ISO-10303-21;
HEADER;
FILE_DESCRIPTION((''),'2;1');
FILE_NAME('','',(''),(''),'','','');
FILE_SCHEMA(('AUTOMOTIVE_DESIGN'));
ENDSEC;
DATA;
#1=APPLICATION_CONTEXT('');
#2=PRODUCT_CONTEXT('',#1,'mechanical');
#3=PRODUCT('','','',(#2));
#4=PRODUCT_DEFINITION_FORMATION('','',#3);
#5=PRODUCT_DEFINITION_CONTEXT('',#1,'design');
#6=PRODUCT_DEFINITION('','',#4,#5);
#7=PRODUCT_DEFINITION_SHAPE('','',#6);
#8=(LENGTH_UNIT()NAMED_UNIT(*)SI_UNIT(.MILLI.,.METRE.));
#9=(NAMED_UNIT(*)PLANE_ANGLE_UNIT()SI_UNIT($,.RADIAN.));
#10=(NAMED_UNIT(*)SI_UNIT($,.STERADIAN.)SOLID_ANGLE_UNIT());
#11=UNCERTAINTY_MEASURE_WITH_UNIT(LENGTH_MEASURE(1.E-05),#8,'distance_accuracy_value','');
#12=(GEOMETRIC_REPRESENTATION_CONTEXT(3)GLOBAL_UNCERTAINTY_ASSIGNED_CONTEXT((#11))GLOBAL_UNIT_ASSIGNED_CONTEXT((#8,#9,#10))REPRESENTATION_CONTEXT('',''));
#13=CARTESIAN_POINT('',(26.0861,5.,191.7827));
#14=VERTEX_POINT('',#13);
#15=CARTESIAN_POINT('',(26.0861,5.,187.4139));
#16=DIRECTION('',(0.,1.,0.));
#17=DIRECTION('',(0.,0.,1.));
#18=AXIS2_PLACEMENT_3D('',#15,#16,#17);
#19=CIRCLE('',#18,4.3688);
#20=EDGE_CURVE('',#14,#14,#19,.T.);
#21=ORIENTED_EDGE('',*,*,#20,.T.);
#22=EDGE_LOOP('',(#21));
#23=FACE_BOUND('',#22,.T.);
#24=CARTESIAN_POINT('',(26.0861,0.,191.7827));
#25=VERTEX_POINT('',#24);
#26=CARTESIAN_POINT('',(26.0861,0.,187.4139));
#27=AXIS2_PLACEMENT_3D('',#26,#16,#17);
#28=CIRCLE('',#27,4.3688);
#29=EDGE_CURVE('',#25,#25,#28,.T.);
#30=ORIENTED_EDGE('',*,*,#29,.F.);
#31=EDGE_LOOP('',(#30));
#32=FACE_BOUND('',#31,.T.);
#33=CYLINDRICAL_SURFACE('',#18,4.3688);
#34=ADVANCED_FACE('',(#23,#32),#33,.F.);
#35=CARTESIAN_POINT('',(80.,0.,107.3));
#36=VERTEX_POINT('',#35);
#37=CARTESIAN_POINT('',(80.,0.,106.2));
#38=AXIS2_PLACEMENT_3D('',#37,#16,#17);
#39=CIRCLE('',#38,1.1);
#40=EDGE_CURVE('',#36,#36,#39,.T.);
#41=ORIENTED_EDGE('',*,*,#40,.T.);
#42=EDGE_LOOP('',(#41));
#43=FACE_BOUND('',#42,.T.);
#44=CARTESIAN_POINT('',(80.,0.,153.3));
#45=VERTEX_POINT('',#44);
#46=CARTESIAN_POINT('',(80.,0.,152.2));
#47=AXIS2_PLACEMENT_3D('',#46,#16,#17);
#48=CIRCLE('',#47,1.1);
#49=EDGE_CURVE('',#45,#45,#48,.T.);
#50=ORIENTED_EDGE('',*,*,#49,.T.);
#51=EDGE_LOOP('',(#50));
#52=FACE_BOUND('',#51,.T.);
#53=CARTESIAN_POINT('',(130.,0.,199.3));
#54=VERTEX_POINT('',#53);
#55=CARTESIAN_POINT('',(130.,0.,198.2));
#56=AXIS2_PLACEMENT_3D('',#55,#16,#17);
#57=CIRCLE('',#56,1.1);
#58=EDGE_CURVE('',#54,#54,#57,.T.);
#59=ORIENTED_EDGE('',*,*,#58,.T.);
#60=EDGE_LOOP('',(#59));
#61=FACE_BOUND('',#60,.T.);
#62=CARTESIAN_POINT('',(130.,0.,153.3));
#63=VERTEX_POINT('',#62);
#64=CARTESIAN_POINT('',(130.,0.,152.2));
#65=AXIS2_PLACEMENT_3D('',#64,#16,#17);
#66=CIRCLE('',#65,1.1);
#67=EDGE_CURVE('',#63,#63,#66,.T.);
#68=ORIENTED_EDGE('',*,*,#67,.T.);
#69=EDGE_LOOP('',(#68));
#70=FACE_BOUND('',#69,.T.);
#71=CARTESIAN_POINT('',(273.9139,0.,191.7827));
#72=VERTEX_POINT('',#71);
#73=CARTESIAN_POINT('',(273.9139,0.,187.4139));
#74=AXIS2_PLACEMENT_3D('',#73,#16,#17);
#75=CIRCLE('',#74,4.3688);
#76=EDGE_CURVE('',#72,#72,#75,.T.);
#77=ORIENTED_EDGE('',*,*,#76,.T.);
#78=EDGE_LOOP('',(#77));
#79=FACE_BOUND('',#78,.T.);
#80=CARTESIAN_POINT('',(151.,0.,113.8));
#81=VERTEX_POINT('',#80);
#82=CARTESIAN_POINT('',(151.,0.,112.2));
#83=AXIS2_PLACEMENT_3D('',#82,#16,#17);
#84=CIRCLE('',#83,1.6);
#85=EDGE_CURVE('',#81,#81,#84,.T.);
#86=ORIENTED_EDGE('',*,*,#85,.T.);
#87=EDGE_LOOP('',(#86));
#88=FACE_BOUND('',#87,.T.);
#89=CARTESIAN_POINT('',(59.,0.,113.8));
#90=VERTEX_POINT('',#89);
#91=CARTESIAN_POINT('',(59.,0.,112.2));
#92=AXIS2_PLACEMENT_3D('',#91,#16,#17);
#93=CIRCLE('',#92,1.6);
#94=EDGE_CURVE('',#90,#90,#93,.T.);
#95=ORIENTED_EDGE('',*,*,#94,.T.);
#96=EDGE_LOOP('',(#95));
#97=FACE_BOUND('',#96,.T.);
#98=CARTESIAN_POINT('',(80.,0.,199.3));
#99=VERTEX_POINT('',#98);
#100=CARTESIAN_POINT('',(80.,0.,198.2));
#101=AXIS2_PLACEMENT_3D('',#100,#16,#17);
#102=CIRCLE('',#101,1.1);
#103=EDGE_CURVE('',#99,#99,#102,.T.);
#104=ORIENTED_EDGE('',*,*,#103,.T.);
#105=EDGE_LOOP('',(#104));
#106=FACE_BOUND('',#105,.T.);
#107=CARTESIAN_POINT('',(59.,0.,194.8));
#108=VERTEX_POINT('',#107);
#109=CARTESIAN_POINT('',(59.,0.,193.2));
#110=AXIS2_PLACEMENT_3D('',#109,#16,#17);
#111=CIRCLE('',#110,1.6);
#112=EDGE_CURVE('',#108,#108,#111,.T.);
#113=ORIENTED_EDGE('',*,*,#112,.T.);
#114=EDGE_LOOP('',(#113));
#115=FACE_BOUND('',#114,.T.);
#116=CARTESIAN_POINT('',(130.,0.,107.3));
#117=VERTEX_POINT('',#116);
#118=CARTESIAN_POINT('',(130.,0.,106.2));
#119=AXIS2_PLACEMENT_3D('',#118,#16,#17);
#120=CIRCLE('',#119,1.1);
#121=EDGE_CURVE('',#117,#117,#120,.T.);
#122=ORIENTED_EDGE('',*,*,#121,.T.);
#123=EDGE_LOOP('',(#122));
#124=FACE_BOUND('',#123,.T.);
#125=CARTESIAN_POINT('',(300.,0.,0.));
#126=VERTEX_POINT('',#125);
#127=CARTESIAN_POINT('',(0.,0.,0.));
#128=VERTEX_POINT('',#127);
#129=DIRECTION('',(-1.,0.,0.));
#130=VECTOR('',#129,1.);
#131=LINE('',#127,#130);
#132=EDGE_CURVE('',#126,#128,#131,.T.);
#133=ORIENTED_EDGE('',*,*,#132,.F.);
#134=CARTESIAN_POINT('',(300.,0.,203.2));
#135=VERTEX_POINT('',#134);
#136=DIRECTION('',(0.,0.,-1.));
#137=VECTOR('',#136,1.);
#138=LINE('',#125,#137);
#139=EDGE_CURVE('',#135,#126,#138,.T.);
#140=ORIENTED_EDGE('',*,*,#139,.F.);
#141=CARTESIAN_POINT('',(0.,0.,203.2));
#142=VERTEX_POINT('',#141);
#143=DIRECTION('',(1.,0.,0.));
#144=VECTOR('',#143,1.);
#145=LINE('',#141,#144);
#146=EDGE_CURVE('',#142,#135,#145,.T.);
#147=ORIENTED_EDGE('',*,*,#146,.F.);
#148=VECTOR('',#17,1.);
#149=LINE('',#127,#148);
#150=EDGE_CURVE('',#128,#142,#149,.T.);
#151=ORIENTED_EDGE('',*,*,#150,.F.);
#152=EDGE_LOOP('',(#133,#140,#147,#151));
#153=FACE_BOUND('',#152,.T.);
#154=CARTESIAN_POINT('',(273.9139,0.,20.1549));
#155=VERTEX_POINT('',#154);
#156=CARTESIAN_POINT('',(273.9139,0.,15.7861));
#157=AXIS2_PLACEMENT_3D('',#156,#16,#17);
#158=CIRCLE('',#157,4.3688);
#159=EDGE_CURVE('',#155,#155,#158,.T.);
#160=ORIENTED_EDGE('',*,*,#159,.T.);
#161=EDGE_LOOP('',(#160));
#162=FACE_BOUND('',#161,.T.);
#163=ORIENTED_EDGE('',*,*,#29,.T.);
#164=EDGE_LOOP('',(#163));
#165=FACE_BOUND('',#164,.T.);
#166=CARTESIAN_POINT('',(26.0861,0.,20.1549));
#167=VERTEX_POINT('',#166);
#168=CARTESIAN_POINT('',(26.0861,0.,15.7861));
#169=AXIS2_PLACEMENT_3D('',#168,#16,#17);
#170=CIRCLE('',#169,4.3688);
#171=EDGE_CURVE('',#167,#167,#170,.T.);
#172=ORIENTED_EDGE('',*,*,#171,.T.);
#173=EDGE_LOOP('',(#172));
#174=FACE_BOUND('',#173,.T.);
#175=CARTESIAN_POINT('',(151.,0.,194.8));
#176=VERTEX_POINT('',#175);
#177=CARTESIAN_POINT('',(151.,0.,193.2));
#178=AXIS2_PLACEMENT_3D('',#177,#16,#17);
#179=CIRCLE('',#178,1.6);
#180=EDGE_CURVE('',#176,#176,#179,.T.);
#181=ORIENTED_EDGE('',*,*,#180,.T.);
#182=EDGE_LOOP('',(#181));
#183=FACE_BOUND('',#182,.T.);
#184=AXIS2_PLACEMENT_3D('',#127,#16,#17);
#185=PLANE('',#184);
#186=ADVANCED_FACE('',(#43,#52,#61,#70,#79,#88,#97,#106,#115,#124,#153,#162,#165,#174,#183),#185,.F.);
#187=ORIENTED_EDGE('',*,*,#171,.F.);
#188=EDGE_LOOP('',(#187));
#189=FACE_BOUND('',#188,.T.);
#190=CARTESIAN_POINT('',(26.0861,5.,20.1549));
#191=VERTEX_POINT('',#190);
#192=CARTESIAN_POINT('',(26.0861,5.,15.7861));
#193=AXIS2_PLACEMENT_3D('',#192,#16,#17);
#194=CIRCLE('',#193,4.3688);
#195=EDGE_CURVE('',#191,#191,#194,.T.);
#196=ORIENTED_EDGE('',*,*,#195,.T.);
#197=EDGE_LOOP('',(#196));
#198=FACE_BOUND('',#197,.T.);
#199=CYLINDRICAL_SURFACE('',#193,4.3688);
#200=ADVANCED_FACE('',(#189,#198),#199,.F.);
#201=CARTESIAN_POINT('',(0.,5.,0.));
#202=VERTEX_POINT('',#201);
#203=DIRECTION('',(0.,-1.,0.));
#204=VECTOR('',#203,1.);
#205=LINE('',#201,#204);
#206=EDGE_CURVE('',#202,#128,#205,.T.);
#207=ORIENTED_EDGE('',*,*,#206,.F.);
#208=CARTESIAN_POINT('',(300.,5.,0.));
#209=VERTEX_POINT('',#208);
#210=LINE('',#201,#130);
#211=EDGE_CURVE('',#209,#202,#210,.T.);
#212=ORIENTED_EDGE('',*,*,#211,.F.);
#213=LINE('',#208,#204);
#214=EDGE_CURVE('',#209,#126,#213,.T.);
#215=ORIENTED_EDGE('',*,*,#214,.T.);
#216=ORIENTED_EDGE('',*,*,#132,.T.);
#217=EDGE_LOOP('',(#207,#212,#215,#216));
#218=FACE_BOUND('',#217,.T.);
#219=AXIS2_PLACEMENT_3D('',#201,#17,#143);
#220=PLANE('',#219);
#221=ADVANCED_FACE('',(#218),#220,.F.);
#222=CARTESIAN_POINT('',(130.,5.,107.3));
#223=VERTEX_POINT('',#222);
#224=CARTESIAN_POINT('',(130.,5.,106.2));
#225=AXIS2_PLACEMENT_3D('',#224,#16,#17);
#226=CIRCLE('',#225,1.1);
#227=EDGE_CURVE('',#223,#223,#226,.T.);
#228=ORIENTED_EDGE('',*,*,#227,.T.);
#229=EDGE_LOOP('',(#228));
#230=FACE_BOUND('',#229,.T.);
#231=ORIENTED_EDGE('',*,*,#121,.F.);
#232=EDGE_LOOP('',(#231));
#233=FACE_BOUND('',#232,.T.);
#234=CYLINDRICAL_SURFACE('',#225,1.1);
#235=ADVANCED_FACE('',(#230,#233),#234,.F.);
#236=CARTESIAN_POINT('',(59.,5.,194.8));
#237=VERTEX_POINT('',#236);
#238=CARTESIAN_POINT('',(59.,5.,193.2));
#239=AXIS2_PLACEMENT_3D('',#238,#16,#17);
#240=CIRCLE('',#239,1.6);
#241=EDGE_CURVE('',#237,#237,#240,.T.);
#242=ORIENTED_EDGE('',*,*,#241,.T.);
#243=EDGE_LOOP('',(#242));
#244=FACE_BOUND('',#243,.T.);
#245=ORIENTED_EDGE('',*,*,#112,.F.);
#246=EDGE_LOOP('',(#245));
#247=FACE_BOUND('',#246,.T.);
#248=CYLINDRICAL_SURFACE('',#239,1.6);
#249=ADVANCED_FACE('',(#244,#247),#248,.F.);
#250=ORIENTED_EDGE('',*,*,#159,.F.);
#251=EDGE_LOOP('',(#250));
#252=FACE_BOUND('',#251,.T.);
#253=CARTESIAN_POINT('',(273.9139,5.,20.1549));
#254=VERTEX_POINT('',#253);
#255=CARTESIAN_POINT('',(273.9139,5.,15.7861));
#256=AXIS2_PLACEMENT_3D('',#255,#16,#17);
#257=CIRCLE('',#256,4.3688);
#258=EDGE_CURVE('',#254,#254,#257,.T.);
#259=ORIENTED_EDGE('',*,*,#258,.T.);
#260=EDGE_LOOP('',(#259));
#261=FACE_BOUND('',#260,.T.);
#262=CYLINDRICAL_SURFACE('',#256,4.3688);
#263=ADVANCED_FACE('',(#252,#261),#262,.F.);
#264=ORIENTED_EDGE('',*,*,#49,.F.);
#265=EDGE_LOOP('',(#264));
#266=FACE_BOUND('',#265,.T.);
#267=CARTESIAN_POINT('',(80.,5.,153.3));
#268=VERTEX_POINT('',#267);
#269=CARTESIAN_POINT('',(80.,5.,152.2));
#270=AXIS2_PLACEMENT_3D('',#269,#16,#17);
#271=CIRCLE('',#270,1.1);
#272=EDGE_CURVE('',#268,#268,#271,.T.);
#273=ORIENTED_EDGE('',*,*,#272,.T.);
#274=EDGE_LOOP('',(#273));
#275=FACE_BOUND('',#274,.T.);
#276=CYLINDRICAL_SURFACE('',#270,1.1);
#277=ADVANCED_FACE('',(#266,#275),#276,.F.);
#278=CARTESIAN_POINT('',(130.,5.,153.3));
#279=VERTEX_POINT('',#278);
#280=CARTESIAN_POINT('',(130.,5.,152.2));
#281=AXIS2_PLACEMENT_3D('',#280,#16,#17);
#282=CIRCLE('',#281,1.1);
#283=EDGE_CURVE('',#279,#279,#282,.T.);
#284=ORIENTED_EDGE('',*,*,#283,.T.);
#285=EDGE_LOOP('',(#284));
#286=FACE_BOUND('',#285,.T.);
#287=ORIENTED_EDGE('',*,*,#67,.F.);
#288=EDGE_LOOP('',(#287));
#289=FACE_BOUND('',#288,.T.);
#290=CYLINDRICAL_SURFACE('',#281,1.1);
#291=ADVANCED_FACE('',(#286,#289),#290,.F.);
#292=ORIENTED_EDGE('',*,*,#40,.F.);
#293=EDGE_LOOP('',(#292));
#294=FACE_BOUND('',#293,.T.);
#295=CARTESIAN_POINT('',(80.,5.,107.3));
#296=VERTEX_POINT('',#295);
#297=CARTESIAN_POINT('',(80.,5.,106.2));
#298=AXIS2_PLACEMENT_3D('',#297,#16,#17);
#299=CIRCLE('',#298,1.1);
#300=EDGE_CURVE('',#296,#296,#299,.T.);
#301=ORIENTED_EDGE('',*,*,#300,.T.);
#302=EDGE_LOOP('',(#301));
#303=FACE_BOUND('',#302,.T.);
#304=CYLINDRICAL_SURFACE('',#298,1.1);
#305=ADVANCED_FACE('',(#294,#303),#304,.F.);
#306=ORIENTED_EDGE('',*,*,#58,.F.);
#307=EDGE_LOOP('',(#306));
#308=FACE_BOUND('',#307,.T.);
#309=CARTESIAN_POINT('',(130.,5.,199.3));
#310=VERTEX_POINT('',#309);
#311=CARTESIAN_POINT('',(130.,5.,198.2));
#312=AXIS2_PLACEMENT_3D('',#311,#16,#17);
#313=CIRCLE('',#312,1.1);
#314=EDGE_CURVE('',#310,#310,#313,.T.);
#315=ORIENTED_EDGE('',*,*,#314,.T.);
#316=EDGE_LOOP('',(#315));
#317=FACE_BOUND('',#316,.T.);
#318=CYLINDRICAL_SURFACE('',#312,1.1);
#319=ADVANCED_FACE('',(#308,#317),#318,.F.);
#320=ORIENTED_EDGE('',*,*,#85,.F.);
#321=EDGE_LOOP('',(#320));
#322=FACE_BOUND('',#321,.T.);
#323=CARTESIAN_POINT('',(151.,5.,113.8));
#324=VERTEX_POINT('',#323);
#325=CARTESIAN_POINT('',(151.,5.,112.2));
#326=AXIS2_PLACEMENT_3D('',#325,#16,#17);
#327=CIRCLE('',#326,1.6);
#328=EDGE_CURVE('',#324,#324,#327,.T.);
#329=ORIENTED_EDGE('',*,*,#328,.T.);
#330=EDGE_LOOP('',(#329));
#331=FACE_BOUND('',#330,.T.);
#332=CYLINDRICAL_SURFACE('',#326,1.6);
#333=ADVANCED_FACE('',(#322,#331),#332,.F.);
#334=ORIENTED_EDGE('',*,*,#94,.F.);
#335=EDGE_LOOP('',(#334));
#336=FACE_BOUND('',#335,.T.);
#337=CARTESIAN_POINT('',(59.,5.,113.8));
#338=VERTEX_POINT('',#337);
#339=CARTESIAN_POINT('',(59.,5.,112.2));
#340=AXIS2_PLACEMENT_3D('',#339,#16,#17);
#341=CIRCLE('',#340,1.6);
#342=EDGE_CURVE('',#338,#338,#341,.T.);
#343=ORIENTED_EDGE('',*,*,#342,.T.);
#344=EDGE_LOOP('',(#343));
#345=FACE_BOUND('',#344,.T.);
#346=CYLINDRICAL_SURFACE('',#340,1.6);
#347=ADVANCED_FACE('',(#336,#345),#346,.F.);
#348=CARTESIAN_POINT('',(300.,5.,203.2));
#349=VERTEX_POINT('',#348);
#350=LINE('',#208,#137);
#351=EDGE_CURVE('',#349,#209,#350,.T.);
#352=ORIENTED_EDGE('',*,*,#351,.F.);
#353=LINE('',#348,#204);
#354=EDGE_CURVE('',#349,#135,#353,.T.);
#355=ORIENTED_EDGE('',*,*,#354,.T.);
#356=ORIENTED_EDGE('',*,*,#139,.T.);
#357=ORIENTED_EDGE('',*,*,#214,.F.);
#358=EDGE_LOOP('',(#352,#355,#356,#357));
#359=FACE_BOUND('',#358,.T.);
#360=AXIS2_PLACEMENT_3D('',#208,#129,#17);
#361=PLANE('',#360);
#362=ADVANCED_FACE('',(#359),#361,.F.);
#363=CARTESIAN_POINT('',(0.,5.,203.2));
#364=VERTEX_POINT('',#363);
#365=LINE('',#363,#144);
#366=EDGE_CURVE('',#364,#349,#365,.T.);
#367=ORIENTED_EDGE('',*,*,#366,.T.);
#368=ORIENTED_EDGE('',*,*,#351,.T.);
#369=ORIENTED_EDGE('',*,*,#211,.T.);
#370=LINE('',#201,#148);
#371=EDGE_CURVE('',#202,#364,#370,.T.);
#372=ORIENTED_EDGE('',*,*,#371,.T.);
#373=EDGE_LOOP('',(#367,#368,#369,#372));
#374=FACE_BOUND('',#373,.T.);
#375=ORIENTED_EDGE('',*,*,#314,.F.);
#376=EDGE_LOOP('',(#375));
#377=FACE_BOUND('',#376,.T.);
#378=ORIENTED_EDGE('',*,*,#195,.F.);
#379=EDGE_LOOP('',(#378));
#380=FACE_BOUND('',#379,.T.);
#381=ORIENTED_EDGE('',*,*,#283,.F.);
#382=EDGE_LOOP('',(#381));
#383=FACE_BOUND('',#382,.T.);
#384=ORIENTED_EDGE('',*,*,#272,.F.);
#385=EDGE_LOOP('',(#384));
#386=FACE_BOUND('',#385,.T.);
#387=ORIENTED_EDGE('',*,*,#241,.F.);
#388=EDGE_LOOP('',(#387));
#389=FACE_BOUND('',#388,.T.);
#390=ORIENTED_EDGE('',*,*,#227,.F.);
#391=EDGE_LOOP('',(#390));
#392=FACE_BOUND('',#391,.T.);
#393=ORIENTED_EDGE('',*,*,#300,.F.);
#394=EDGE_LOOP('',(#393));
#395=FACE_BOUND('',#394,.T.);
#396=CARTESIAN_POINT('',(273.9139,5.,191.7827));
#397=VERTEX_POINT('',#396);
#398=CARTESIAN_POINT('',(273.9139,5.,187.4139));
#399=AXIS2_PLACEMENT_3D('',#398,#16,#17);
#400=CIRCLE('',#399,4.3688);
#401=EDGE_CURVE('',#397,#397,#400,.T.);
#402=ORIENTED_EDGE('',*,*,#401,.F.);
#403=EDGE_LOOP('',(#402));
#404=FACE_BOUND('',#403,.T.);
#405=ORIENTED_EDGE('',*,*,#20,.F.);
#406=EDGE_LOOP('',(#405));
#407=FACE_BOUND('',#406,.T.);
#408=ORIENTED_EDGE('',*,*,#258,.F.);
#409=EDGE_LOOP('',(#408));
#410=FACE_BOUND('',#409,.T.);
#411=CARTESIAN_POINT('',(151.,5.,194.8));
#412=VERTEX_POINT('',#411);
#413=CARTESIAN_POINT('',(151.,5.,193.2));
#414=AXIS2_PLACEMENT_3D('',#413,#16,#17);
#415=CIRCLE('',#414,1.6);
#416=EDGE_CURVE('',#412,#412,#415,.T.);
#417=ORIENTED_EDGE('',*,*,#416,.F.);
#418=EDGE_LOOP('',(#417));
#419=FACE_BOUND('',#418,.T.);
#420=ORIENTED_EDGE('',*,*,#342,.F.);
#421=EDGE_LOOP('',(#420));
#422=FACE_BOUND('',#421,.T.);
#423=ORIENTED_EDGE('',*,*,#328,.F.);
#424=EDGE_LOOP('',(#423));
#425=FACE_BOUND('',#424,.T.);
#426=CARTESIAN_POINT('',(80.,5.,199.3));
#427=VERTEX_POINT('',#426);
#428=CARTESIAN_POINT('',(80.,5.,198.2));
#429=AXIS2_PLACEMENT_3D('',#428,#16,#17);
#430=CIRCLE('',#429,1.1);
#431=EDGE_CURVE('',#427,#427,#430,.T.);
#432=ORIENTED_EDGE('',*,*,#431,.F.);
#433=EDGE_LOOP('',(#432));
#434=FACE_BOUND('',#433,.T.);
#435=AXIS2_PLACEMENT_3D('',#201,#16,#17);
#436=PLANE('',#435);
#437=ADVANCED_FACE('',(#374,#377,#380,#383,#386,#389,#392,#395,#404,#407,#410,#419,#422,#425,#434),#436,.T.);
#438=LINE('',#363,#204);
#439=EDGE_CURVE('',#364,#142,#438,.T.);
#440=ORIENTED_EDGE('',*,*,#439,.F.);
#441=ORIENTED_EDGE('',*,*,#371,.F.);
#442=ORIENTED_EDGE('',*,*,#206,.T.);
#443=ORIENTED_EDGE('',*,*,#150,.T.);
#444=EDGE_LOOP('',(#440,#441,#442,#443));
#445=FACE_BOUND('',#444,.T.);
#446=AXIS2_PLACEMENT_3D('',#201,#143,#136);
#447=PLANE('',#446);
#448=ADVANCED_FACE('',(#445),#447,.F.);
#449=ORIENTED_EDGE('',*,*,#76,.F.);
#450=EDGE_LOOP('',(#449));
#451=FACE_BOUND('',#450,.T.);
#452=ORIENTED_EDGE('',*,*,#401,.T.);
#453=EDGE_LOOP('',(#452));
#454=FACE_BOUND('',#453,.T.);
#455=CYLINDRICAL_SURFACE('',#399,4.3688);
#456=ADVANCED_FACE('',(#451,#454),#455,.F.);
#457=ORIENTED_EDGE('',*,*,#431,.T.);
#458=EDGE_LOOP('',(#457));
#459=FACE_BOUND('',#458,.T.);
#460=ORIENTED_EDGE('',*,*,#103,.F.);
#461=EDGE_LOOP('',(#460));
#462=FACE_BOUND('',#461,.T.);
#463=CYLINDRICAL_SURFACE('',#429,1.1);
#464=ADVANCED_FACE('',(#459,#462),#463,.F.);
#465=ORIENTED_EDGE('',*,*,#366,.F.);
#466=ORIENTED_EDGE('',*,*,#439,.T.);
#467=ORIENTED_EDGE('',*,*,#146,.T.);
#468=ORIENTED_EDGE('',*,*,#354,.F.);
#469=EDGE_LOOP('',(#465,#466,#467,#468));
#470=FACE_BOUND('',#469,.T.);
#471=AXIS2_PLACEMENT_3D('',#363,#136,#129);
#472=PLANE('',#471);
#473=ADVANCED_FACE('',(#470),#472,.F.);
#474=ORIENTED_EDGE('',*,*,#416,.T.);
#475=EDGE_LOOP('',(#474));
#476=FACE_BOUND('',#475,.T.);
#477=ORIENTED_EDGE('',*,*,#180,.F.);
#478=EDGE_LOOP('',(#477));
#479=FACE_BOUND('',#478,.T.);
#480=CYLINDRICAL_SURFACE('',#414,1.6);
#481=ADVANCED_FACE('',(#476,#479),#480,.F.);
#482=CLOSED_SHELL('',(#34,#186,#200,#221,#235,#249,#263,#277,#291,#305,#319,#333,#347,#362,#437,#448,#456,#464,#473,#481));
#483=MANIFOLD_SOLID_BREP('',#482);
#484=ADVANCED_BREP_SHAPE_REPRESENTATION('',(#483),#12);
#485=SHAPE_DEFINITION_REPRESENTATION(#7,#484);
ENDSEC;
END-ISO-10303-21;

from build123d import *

# Parameters (mm, degrees)
SKETCH1_W                           = 300
SKETCH1_H                           = 203.2
BOSS_EXTRUDE1_DEPTH                 = 5
SKETCH2_R                           = 3.2639
HOLES_FOR_MOUNTING_TO_CHAMBER_DEPTH = 363.374447223
CLEARANCE_HOLES_FOR_LED_PANEL_D     = 2.2
M3_CLEARANCE_HOLE1_D                = 3.2
HOLE_FOR_1_4_300_SC_NUTS_SP_1_D     = 8.7376
HOLE_FOR_1_4_300_SC_NUTS_SP_1_DEPTH = 31.75
HOLE_FOR_1_4_300_SC_NUTS_SP_1_TIP   = 2.625039872


with BuildPart() as part:
    # Sketch1 → Boss-Extrude1 (new body)
    with BuildSketch(Plane(origin=(0, 0, 0), x_dir=(1, 0, 0), z_dir=(0, 1, 0))):
        with Locations((150, -101.6)):
            Rectangle(SKETCH1_W, SKETCH1_H)
    extrude(amount=BOSS_EXTRUDE1_DEPTH)

    # Sketch2 → holes for mounting to chamber (cut, through all)
    with BuildSketch(Plane(origin=(0, 5, 0), x_dir=(1, 0, 0), z_dir=(0, 1, 0))):
        with Locations(Location((26.0861, -15.7861, 0), (0, 0, 270))):
            Circle(SKETCH2_R)
        with Locations(Location((273.9139, -15.7861, 0), (0, 0, 90))):
            Circle(SKETCH2_R)
        with Locations(Location((273.9139, -187.4139, 0), (0, 0, 270))):
            Circle(SKETCH2_R)
        with Locations(Location((26.0861, -187.4139, 0), (0, 0, 90))):
            Circle(SKETCH2_R)
    extrude(amount=-HOLES_FOR_MOUNTING_TO_CHAMBER_DEPTH, mode=Mode.SUBTRACT)

    # clearance holes for led panel (through all)
    with Locations(Plane(origin=(0, 5, 0), x_dir=(1, 0, 0), z_dir=(0, 1, 0))):
        with Locations((80, -106.2), (130, -106.2), (130, -152.2), (80, -152.2), (80, -198.2), (130, -198.2)):
            Hole(CLEARANCE_HOLES_FOR_LED_PANEL_D / 2)

    # M3 Clearance Hole1 (through all)
    with Locations(Plane(origin=(0, 5, 0), x_dir=(1, 0, 0), z_dir=(0, 1, 0))):
        with Locations((59, -112.2), (151, -112.2), (151, -193.2), (59, -193.2)):
            Hole(M3_CLEARANCE_HOLE1_D / 2)

    # Hole for 1/4 300® SC Nuts (SP)1
    with Locations(Plane(origin=(0, 5, 0), x_dir=(1, 0, 0), z_dir=(0, 1, 0))):
        with Locations((26.0861, -15.7861), (273.9139, -15.7861), (273.9139, -187.4139), (26.0861, -187.4139)):
            Hole(HOLE_FOR_1_4_300_SC_NUTS_SP_1_D / 2, depth=HOLE_FOR_1_4_300_SC_NUTS_SP_1_DEPTH)
            with Locations((0, 0, -(HOLE_FOR_1_4_300_SC_NUTS_SP_1_DEPTH + HOLE_FOR_1_4_300_SC_NUTS_SP_1_TIP / 2))):  # 118° drill point
                Cone(0, HOLE_FOR_1_4_300_SC_NUTS_SP_1_D / 2, HOLE_FOR_1_4_300_SC_NUTS_SP_1_TIP, mode=Mode.SUBTRACT)


solid = part.part
